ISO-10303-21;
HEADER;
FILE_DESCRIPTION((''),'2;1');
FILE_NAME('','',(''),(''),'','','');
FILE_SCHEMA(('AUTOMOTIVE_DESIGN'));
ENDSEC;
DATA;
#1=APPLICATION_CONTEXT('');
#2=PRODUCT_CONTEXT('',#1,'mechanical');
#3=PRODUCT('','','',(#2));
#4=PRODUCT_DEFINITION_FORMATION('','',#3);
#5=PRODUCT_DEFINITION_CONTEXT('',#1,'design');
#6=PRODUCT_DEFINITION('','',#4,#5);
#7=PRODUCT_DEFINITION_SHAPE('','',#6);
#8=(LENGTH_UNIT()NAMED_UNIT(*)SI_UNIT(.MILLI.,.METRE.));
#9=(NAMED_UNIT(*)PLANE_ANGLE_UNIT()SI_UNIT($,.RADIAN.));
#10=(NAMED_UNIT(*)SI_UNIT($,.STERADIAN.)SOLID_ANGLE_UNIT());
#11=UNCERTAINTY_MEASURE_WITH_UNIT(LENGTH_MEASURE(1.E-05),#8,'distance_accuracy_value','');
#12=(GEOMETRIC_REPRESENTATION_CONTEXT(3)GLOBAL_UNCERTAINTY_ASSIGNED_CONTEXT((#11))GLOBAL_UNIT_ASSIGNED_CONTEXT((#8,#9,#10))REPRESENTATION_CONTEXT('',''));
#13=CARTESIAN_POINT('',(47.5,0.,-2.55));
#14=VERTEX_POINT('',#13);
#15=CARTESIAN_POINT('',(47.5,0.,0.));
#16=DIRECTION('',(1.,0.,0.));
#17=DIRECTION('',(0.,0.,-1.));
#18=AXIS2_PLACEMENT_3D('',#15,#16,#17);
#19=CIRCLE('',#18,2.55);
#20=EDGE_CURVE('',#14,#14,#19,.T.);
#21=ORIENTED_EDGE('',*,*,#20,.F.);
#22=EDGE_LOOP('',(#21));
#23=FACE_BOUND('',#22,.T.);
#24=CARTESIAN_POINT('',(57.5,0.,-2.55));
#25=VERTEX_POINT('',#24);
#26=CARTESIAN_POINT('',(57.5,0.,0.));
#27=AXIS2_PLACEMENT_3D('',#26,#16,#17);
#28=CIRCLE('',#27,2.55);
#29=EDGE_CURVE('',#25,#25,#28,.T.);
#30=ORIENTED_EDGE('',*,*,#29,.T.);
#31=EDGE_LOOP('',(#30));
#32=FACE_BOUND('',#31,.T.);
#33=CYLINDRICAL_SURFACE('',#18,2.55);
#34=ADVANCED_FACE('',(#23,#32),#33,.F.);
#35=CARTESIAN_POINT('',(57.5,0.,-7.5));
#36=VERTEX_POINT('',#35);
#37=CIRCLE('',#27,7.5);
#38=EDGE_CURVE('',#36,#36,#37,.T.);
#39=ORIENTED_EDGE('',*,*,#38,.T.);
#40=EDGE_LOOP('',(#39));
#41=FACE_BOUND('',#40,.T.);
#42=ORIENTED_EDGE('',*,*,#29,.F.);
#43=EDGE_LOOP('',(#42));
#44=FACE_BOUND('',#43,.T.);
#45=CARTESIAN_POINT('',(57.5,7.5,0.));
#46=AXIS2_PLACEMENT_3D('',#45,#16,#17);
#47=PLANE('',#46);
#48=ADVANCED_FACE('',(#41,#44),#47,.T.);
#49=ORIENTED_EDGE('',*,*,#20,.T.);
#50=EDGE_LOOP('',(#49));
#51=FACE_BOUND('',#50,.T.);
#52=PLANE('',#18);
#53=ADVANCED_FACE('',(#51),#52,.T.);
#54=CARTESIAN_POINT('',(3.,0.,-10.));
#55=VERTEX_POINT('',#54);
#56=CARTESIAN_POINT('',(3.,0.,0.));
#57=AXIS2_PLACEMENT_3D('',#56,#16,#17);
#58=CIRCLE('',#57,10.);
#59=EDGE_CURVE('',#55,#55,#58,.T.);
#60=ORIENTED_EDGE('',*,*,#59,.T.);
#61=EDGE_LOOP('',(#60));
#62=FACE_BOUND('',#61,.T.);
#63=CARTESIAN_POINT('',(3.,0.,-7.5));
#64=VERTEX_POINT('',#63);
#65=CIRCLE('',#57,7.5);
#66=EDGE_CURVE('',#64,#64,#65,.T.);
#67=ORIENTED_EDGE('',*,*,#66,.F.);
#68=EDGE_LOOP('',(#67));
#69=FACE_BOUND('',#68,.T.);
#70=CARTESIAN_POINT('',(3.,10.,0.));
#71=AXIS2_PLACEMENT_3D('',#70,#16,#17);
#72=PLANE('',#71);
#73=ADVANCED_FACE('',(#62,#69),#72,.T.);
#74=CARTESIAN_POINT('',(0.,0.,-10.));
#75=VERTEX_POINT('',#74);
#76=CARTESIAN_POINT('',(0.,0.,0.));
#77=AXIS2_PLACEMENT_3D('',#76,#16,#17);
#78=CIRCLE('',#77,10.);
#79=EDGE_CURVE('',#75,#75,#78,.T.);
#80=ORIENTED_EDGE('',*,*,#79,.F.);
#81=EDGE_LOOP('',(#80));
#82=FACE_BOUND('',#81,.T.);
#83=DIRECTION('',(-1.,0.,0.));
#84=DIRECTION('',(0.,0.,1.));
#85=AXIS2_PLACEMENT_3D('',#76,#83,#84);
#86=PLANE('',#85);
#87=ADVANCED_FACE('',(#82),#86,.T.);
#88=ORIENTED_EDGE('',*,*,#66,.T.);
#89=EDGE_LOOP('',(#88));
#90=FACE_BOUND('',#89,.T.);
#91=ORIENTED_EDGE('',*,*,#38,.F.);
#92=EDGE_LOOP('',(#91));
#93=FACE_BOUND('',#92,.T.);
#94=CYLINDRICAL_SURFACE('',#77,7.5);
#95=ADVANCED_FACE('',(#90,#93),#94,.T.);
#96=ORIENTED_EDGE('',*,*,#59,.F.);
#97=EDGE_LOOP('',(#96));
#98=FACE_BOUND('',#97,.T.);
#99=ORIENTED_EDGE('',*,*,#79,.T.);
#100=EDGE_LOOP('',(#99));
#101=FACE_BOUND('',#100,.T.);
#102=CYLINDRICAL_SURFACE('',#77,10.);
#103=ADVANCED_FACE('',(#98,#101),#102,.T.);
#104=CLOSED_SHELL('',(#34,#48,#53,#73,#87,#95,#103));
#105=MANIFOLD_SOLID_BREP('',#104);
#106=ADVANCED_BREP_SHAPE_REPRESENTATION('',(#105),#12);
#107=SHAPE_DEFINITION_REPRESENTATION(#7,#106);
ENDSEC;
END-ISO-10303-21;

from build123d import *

# Parameters (mm, degrees)
SKETCH2_R          = 2.55
CUT_EXTRUDE1_DEPTH = 10


with BuildPart() as part:
    # Sketch1 → Revolve1 (revolve)
    with BuildSketch(Plane.XY, mode=Mode.PRIVATE) as revolve1_sk:
        Polygon((0, 0), (0, 10), (3, 10), (3, 7.5), (57.5, 7.5), (57.5, 0), align=None)
    revolve(revolve1_sk.sketch.rotate(Axis((0, 0, 0), (-1, 0, 0)), 90), axis=Axis((0, 0, 0), (-1, 0, 0)))

    # Sketch2 → Cut-Extrude1 (cut)
    with BuildSketch(Plane(origin=(57.5, 0, 0), x_dir=(0, 0, -1), z_dir=(1, 0, 0))):
        Circle(SKETCH2_R)
    extrude(amount=-CUT_EXTRUDE1_DEPTH, mode=Mode.SUBTRACT)


solid = part.part
